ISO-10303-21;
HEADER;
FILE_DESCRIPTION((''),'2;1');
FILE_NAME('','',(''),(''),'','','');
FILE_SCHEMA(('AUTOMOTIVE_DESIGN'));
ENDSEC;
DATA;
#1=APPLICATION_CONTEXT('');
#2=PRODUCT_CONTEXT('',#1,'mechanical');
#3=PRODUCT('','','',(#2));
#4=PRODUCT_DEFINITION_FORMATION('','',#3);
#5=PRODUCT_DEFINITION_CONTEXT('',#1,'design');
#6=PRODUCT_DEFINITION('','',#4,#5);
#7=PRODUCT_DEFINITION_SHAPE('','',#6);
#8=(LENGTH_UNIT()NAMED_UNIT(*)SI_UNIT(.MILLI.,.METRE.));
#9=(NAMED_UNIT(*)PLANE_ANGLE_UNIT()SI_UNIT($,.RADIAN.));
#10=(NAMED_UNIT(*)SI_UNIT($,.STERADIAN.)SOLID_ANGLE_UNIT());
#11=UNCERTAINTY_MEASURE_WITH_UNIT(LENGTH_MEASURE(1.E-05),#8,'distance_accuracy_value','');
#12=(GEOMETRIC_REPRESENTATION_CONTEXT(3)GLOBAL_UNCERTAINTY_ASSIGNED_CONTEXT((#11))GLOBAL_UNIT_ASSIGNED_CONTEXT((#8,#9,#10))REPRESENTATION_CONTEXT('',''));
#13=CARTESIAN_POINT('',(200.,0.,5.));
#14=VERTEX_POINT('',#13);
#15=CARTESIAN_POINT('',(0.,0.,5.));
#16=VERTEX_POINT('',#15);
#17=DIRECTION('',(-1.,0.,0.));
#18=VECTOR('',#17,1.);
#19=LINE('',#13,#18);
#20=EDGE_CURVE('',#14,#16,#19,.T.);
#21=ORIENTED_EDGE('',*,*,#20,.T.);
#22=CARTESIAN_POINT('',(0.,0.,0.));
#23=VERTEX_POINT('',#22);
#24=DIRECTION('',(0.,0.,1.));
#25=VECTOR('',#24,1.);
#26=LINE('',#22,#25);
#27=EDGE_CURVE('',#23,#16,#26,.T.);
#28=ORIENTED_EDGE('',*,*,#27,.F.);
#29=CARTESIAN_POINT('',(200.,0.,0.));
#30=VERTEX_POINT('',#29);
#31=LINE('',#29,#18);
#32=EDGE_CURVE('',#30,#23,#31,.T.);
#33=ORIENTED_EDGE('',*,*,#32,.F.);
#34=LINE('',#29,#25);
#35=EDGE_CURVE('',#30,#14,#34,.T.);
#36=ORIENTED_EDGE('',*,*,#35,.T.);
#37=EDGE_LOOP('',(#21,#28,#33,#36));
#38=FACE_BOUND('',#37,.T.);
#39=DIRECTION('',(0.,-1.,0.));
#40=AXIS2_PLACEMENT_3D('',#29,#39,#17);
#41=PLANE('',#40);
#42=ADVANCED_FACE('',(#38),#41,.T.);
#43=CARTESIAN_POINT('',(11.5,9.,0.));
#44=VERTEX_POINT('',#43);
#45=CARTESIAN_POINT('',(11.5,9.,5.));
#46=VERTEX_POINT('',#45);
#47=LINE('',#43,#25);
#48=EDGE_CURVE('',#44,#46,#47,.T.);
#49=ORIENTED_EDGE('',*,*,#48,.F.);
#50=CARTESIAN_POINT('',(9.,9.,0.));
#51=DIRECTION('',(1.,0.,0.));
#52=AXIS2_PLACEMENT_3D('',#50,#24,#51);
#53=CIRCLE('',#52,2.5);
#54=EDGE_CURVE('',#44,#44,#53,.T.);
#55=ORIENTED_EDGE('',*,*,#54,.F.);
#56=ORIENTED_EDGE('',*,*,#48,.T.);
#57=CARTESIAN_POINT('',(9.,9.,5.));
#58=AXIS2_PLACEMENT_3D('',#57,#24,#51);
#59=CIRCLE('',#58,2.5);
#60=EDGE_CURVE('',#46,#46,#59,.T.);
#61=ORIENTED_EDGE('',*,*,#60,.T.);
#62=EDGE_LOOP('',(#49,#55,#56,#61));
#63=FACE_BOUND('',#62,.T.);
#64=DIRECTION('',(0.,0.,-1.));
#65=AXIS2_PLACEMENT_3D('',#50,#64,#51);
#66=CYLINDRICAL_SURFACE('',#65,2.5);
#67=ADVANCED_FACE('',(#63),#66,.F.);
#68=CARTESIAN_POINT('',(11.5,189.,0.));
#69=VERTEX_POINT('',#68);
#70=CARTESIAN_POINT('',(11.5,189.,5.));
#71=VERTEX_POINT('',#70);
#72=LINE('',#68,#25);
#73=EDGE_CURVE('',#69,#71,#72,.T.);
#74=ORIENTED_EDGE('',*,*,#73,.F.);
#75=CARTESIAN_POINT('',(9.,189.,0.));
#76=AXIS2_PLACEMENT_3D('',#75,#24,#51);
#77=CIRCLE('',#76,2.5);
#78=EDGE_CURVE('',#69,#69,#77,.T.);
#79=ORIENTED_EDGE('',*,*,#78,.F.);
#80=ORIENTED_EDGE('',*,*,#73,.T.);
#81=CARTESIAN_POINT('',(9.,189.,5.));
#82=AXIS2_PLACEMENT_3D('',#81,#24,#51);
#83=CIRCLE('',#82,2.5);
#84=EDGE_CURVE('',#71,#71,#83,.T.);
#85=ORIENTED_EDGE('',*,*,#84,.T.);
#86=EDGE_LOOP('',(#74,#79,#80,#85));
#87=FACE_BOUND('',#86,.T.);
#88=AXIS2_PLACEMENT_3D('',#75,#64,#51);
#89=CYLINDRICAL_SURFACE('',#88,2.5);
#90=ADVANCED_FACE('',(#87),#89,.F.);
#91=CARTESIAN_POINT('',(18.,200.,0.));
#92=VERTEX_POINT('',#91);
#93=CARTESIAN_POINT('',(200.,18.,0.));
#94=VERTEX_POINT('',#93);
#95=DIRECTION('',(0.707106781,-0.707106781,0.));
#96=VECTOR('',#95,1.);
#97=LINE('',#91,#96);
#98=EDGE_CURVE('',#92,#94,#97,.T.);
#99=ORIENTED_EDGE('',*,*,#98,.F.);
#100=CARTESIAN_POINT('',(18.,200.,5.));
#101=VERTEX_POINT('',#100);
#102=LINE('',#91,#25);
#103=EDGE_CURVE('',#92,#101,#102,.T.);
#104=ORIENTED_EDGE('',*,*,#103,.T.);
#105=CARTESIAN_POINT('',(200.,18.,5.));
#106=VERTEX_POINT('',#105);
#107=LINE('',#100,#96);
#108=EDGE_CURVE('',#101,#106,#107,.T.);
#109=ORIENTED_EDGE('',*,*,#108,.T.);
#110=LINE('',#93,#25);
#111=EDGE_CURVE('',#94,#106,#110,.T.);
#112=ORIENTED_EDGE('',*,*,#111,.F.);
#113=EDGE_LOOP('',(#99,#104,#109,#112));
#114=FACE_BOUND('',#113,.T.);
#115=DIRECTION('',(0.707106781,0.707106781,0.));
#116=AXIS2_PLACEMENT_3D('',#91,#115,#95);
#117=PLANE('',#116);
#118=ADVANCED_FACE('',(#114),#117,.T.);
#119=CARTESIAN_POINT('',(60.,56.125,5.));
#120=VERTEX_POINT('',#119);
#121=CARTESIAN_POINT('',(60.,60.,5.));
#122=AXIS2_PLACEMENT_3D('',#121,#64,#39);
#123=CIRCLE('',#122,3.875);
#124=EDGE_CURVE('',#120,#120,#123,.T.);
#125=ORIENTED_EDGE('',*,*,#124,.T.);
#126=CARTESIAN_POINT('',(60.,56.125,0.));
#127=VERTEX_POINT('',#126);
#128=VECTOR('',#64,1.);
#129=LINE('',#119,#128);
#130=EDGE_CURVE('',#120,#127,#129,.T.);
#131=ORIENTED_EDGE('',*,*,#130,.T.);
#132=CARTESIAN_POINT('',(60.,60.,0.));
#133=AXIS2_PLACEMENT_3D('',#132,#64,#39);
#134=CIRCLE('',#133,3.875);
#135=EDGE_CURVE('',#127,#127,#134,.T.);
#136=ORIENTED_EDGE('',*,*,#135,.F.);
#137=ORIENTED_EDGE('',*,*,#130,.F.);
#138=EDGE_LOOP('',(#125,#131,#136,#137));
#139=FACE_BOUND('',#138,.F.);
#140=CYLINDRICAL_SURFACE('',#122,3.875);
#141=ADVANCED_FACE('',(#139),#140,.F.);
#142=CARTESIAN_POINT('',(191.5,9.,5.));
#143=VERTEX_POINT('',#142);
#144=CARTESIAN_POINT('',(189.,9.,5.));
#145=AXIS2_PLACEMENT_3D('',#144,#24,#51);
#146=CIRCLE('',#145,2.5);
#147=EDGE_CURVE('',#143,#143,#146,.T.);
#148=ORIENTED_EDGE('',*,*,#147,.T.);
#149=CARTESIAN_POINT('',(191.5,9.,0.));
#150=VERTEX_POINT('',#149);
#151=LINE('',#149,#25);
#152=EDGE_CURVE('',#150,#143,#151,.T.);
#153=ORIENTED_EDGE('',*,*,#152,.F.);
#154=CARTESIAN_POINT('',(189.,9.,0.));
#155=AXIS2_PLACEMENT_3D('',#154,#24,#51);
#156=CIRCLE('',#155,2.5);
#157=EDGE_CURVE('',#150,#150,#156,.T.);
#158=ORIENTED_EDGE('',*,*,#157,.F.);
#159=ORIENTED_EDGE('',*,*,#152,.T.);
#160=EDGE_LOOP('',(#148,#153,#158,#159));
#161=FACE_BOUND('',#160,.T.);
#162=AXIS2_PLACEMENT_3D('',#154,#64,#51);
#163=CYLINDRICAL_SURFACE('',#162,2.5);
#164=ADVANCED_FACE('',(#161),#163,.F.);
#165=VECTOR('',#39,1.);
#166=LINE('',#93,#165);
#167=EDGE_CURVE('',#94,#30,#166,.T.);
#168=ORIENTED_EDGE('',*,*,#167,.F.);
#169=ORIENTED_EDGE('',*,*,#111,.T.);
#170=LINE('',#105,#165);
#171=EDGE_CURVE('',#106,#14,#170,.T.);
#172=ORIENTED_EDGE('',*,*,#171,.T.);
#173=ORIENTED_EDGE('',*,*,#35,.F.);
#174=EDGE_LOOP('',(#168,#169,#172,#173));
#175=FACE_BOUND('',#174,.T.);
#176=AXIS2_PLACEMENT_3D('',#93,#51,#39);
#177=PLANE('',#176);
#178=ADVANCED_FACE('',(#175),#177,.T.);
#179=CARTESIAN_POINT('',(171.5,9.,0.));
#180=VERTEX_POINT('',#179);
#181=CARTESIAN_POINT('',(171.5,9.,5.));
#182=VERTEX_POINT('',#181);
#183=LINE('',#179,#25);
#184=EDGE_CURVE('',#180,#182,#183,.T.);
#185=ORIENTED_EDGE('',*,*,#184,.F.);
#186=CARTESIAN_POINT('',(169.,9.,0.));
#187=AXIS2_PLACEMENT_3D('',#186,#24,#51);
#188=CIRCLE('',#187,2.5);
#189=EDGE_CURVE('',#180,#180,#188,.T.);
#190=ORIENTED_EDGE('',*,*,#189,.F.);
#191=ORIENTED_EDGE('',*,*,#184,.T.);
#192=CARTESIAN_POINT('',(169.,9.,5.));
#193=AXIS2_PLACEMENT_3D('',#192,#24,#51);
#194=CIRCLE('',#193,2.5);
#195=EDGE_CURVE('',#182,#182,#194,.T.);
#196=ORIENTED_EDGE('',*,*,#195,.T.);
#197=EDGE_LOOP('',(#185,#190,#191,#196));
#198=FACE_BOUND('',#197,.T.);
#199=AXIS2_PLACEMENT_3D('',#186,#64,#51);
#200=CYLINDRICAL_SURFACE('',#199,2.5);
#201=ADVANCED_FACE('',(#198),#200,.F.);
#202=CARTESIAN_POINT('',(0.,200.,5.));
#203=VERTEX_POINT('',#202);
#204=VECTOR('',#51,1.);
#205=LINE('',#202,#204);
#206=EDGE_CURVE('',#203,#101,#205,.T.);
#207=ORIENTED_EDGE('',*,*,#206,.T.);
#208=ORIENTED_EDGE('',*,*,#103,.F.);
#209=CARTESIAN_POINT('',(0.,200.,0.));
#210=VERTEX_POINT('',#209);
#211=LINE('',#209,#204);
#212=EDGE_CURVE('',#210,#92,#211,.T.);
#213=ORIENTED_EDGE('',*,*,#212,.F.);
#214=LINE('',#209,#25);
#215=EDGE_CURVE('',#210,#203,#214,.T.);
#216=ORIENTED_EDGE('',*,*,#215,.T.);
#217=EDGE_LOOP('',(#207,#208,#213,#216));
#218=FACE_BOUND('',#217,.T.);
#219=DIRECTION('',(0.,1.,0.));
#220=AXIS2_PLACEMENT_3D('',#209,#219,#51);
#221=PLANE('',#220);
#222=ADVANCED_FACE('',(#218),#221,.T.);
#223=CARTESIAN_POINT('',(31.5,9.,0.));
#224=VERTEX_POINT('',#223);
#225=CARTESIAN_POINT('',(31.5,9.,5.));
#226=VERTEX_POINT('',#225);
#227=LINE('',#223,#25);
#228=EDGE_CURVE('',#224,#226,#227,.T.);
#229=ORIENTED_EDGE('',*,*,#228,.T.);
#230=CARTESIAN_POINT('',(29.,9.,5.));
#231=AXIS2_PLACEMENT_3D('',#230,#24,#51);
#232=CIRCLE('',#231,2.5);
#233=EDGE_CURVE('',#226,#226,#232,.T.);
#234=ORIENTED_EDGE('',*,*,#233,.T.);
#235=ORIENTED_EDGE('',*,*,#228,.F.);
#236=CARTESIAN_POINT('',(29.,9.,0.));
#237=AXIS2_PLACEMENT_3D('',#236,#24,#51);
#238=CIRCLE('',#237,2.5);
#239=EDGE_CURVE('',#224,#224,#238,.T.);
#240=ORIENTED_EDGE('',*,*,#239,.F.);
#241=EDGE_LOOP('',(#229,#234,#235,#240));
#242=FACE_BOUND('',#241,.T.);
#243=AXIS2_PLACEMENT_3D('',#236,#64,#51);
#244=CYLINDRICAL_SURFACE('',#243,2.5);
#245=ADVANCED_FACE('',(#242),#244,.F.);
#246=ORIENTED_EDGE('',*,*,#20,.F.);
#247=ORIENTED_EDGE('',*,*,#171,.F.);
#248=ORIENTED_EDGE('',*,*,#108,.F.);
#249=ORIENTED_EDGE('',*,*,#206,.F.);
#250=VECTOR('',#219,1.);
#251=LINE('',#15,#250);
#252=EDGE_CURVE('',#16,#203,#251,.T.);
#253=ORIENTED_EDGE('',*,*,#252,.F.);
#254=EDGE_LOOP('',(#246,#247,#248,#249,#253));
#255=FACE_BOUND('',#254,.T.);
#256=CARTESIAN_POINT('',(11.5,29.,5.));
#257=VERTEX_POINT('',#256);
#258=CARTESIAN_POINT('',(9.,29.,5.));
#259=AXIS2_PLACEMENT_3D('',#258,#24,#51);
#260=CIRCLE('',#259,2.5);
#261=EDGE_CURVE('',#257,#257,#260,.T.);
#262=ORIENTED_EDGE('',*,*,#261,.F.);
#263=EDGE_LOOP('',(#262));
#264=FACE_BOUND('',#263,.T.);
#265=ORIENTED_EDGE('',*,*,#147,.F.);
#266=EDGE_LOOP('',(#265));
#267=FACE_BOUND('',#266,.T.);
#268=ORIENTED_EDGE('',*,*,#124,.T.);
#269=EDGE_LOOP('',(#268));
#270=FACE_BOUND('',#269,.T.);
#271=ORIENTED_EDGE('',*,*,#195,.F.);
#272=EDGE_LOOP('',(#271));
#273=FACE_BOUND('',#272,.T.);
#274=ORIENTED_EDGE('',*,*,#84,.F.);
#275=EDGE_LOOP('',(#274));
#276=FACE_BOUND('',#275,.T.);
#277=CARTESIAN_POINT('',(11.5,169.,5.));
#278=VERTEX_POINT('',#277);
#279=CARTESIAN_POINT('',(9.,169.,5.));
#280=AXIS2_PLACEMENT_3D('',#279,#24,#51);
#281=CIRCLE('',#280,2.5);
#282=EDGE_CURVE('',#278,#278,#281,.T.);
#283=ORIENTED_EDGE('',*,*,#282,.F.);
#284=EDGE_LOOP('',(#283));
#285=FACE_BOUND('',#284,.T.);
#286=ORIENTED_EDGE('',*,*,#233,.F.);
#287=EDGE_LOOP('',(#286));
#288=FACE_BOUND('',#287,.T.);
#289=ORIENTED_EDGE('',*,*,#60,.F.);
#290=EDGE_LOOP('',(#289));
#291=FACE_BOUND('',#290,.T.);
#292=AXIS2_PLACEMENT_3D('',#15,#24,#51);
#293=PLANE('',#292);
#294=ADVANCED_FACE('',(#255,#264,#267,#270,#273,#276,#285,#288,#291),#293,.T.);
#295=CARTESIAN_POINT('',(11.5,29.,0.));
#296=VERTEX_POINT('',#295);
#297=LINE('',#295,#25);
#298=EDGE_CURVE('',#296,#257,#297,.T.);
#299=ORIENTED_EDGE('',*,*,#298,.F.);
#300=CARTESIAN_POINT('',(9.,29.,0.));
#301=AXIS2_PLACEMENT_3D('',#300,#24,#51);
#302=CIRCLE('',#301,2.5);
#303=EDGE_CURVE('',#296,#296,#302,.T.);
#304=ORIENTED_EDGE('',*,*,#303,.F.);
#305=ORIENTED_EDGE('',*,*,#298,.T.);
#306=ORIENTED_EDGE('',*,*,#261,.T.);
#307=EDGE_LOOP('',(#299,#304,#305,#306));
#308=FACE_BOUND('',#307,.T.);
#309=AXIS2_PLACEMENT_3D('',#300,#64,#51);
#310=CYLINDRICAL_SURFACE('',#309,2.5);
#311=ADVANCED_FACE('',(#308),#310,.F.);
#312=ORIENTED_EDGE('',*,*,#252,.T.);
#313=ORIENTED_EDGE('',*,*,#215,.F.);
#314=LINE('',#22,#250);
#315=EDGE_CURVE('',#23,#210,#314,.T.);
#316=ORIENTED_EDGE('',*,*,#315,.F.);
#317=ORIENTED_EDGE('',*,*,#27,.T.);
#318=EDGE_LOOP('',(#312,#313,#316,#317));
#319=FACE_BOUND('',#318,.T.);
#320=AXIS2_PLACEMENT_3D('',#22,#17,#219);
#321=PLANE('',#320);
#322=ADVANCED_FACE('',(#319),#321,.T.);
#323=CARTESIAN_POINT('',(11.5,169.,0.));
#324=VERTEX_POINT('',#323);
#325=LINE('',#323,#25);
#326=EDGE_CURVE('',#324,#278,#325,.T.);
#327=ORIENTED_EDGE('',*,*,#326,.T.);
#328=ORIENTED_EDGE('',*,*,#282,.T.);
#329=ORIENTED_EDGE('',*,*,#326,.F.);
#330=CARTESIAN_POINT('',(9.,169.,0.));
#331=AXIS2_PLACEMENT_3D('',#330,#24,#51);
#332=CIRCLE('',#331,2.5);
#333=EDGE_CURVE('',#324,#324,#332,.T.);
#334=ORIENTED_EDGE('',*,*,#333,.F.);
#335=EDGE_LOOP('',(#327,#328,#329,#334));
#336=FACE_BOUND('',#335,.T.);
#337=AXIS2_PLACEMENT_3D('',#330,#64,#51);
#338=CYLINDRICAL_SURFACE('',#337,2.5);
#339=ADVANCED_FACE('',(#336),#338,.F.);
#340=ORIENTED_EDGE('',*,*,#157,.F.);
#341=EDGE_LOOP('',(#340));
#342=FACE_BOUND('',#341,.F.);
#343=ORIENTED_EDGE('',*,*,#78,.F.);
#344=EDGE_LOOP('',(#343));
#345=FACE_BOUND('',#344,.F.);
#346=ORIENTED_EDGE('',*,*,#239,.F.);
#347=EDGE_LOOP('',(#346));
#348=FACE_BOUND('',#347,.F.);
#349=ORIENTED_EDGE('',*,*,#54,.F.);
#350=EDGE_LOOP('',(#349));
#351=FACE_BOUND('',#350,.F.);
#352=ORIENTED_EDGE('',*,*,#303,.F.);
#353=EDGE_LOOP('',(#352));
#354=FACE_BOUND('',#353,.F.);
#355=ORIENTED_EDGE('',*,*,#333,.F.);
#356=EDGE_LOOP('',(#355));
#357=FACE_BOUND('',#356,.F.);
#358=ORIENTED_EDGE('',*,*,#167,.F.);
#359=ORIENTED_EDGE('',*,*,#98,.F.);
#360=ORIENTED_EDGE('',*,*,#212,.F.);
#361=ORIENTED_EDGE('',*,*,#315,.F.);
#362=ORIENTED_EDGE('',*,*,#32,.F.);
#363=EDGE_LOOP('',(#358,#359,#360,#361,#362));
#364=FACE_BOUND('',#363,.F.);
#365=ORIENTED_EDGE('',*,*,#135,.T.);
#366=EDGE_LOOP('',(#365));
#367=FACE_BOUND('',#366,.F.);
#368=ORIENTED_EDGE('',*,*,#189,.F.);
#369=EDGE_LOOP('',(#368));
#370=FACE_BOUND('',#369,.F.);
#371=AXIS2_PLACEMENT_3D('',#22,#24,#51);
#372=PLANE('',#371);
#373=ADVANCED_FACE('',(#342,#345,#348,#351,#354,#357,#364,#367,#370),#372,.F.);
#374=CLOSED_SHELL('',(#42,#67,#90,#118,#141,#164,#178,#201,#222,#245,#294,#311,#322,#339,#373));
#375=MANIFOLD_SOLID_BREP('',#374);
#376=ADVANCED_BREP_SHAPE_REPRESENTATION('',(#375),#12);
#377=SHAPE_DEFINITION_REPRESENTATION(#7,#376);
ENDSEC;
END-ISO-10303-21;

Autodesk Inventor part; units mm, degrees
ref_plane "YZ Plane" through (0, 0, 0) normal (1, 0, 0) x (0, 1, 0)
ref_plane "XZ Plane" through (0, 0, 0) normal (0, 1, 0) x (-1, 0, 0)
ref_plane "XY Plane" through (0, 0, 0) normal (0, 0, 1) x (1, 0, 0)
sketch "Sketch1" plane through (0, 0, 0) normal (0, 0, 1) x (1, 0, 0)
  circle A0 centre (9, 9) radius 2.5
  line L0 (200, 18) -> (200, 0)
  line L1 (200, 0) -> (0, 0)
  line L2 (0, 0) -> (0, 200)
  line L3 (0, 200) -> (18, 200)
  line L4 (18, 200) -> (200, 18)
  circle A1 centre (29, 9) radius 2.5
  circle A2 centre (169, 9) radius 2.5
  circle A3 centre (189, 9) radius 2.5
  circle A4 centre (9, 29) radius 2.5
  circle A5 centre (9, 169) radius 2.5
  circle A6 centre (9, 189) radius 2.5
extrude "Extrusion1" add sketch "Sketch1" along normal blind 5
hole "Hole1" at (60, 60, 5) direction (0, 0, -1) diameter 7.75 end through all
properties part number "GUSSET_200MM"
